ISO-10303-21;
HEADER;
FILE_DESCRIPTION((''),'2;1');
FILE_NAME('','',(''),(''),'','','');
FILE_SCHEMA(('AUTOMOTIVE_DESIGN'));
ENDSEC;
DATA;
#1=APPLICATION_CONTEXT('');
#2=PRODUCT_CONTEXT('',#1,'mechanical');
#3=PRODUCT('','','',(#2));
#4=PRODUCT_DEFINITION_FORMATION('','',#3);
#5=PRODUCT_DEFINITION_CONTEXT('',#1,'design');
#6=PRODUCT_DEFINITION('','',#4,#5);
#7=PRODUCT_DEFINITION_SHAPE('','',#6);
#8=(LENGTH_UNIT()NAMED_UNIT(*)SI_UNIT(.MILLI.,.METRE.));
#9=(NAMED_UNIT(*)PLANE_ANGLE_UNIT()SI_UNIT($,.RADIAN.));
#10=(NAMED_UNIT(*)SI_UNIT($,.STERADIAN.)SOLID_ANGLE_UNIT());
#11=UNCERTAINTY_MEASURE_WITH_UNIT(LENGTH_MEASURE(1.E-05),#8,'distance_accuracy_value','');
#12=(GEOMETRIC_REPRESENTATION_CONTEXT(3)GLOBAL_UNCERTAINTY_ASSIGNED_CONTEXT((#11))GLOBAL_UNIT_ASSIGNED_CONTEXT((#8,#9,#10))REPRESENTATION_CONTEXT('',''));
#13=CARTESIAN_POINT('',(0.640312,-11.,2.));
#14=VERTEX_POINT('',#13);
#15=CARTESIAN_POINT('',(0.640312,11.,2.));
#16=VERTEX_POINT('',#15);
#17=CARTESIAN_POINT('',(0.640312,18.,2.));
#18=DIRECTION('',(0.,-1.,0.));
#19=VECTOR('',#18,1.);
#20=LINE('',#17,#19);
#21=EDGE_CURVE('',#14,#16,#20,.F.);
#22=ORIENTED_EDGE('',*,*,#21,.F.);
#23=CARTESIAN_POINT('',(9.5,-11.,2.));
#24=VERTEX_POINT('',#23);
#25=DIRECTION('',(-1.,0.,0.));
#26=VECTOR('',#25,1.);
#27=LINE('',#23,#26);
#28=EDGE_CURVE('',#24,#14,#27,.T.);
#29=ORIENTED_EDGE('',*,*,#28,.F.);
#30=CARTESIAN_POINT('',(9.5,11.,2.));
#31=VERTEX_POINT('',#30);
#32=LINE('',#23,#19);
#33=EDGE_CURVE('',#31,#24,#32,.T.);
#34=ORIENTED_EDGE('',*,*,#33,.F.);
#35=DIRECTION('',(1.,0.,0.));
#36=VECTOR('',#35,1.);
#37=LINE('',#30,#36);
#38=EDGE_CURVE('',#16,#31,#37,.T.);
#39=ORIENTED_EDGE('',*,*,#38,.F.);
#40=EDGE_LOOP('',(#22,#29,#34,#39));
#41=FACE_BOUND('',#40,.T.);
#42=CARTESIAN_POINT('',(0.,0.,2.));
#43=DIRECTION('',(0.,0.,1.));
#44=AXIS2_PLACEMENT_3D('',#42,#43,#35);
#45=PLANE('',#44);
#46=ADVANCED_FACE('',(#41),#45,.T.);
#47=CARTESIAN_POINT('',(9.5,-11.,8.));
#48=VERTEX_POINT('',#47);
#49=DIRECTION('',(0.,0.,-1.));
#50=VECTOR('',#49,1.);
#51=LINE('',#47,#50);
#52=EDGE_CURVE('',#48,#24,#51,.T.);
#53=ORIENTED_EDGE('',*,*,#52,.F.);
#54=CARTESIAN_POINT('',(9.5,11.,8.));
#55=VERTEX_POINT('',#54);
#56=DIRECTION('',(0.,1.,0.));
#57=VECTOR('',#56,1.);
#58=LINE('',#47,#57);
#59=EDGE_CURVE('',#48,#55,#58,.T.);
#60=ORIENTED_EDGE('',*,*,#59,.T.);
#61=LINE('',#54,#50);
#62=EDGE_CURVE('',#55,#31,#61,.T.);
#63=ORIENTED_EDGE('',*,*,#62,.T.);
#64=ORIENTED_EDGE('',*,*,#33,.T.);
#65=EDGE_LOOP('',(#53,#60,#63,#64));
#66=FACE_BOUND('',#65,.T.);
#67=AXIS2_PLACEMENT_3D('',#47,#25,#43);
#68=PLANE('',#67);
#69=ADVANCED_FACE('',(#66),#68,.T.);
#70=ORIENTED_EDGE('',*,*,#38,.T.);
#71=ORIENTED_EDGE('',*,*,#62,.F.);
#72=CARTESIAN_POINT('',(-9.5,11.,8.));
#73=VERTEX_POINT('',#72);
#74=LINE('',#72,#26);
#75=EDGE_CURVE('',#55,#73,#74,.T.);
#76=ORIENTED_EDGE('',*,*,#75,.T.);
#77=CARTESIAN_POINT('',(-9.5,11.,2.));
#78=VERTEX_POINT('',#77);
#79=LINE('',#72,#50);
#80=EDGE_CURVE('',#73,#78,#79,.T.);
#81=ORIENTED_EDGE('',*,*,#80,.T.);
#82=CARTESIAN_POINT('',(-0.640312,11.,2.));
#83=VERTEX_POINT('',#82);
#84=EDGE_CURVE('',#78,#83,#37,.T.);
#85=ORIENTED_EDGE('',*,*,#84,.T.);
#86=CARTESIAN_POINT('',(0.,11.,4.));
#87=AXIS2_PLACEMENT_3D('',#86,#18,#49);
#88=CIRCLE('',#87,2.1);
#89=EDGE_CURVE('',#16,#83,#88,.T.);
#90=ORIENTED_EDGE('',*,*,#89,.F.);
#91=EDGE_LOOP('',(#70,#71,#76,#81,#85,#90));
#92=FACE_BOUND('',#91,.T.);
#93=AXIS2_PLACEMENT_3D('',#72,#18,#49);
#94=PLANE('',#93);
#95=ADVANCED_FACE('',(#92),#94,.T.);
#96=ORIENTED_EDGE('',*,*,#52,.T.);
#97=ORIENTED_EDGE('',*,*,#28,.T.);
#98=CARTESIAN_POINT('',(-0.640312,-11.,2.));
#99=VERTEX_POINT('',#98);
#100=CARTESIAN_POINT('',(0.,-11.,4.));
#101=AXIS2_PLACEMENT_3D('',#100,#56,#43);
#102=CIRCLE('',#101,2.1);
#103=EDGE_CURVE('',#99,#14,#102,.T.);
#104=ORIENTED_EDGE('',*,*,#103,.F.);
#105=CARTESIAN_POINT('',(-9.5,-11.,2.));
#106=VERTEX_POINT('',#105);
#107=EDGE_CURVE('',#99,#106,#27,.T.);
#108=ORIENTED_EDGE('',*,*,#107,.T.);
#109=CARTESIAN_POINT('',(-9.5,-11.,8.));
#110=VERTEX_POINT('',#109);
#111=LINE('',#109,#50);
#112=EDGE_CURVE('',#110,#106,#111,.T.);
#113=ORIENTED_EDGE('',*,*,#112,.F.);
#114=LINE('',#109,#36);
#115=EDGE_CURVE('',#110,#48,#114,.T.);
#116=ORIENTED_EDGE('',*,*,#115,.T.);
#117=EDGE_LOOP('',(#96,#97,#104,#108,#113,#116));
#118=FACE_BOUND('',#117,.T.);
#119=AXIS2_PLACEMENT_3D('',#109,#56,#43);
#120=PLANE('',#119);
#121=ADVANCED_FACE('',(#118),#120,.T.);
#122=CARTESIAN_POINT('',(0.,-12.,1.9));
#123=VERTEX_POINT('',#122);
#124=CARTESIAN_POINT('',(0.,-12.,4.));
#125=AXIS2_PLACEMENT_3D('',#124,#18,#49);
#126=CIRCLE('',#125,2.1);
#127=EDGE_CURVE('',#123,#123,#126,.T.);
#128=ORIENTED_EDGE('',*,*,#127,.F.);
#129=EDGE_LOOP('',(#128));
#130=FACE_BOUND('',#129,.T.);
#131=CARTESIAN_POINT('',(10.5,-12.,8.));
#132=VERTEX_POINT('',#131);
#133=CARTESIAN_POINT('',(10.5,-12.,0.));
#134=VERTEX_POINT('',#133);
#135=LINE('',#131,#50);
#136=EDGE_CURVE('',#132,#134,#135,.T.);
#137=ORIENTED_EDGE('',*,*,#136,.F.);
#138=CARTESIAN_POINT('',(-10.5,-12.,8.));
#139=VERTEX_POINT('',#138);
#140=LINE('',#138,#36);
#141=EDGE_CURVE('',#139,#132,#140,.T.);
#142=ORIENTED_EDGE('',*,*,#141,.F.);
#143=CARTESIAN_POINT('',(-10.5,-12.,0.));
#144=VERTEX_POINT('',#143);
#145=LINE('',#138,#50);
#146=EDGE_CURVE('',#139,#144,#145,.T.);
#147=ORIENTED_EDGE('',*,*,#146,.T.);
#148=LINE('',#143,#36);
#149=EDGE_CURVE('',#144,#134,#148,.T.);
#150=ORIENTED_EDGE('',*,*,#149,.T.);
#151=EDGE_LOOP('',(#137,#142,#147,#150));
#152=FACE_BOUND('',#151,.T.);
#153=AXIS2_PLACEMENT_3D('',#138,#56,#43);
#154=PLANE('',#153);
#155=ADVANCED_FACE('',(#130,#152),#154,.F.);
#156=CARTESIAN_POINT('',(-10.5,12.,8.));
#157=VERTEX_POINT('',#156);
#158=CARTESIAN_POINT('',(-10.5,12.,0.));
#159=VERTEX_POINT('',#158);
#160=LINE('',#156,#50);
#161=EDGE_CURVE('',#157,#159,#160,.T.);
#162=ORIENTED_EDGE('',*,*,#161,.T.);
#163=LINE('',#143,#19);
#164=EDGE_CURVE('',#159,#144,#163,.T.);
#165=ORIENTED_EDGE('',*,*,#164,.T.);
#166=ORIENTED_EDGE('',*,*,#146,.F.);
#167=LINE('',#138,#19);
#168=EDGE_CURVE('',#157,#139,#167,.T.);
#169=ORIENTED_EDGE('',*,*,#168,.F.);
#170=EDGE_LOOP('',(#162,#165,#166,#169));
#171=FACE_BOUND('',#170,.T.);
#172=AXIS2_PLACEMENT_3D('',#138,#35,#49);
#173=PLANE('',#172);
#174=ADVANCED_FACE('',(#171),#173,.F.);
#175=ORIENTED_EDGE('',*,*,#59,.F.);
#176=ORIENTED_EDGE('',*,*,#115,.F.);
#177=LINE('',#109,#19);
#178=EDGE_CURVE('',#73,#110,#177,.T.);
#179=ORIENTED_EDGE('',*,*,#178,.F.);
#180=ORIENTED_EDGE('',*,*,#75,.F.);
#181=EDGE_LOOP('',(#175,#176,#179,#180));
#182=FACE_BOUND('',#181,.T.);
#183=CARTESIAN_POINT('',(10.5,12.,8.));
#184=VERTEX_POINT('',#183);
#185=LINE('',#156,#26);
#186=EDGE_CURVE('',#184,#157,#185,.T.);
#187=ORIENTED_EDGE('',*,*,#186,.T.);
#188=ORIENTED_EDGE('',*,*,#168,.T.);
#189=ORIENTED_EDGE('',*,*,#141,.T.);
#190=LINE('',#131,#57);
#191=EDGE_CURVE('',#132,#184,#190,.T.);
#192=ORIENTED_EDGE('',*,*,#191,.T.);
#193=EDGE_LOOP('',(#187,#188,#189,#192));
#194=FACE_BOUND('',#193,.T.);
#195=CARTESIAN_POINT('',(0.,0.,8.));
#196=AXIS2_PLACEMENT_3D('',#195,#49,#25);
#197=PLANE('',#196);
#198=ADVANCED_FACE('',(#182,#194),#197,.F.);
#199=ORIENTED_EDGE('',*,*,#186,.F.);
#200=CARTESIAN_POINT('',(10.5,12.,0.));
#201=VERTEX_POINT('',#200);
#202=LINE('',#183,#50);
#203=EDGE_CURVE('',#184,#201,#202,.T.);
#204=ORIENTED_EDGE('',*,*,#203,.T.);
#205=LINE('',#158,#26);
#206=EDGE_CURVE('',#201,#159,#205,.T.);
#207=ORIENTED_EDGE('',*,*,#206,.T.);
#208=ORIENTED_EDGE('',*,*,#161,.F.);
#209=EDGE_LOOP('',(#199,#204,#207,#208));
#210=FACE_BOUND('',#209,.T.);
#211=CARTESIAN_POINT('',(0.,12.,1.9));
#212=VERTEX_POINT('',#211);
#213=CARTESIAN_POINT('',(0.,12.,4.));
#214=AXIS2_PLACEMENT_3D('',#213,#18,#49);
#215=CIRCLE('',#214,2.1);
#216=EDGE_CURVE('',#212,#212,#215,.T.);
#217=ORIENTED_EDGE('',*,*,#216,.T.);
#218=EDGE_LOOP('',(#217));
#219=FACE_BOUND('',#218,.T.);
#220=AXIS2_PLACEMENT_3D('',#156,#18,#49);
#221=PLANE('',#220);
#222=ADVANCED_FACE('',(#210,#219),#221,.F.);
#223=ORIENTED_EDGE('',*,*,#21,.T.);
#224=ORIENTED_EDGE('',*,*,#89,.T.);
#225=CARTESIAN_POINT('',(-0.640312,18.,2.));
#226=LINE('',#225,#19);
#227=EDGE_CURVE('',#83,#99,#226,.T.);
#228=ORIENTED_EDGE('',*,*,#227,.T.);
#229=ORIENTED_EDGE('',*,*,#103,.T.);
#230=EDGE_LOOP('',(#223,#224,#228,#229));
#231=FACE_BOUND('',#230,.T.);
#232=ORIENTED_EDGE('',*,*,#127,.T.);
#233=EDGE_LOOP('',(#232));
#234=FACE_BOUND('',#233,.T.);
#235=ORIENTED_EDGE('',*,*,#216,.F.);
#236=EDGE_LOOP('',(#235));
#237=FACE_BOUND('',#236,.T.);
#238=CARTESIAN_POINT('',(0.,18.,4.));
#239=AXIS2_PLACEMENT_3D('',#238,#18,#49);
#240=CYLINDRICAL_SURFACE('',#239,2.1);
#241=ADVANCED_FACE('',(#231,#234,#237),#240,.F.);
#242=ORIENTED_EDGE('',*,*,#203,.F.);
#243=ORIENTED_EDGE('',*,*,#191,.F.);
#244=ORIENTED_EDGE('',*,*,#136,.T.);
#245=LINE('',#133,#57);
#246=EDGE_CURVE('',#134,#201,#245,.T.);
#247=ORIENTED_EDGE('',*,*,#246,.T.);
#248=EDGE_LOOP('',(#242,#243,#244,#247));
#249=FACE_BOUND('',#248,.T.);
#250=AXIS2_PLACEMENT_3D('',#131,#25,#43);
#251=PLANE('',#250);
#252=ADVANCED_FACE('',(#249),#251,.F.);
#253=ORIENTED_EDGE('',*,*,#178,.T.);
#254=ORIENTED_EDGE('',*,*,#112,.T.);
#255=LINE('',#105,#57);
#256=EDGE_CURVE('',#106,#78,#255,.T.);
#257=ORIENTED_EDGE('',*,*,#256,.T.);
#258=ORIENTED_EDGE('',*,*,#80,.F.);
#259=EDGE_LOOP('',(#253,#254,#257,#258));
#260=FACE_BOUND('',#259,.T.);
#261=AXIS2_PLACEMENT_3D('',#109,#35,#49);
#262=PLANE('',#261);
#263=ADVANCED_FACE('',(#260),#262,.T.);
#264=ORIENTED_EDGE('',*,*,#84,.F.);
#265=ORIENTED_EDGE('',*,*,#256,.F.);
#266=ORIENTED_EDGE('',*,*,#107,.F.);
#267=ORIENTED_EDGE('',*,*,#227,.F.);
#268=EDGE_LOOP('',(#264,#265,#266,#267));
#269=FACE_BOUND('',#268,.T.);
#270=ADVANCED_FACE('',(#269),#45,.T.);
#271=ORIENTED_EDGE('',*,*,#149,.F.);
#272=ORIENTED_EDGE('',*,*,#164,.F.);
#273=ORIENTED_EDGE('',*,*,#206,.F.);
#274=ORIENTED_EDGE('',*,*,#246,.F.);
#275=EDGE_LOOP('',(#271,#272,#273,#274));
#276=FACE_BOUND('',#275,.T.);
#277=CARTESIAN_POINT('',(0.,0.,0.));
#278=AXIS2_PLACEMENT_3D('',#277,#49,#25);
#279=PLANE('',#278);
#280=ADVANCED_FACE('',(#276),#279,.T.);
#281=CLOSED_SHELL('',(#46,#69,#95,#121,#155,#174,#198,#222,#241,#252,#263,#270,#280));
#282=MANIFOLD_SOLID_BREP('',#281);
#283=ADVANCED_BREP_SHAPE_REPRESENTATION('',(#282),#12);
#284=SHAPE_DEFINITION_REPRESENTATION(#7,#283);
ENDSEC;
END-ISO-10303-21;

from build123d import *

# Parameters (mm, degrees)
SKETCH1_W           = 21
SKETCH1_H           = 24
SKETCH1_W_2         = 19
SKETCH1_H_2         = 22
BOSS_EXTRUDE1_DEPTH = 8
SKETCH2_W           = 19
SKETCH2_H           = 22
BOSS_EXTRUDE2_DEPTH = 2
SKETCH3_R           = 2.1
CUT_EXTRUDE1_DEPTH  = 30


with BuildPart() as part:
    # Sketch1 → Boss-Extrude1 (new body)
    with BuildSketch(Plane.XY):
        Rectangle(SKETCH1_W, SKETCH1_H)
        Rectangle(SKETCH1_W_2, SKETCH1_H_2, mode=Mode.SUBTRACT)
    extrude(amount=BOSS_EXTRUDE1_DEPTH)

    # Sketch2 → Boss-Extrude2 (add)
    with BuildSketch(Plane(origin=(0, 0, 0), x_dir=(-1, 0, 0), z_dir=(0, 0, -1))):
        Rectangle(SKETCH2_W, SKETCH2_H)
    extrude(amount=-BOSS_EXTRUDE2_DEPTH)

    # Sketch3 → Cut-Extrude1 (cut)
    with BuildSketch(Plane.XZ.offset(12)):
        with Locations((0, 4)):
            Circle(SKETCH3_R)
    extrude(amount=-CUT_EXTRUDE1_DEPTH, mode=Mode.SUBTRACT)


solid = part.part
